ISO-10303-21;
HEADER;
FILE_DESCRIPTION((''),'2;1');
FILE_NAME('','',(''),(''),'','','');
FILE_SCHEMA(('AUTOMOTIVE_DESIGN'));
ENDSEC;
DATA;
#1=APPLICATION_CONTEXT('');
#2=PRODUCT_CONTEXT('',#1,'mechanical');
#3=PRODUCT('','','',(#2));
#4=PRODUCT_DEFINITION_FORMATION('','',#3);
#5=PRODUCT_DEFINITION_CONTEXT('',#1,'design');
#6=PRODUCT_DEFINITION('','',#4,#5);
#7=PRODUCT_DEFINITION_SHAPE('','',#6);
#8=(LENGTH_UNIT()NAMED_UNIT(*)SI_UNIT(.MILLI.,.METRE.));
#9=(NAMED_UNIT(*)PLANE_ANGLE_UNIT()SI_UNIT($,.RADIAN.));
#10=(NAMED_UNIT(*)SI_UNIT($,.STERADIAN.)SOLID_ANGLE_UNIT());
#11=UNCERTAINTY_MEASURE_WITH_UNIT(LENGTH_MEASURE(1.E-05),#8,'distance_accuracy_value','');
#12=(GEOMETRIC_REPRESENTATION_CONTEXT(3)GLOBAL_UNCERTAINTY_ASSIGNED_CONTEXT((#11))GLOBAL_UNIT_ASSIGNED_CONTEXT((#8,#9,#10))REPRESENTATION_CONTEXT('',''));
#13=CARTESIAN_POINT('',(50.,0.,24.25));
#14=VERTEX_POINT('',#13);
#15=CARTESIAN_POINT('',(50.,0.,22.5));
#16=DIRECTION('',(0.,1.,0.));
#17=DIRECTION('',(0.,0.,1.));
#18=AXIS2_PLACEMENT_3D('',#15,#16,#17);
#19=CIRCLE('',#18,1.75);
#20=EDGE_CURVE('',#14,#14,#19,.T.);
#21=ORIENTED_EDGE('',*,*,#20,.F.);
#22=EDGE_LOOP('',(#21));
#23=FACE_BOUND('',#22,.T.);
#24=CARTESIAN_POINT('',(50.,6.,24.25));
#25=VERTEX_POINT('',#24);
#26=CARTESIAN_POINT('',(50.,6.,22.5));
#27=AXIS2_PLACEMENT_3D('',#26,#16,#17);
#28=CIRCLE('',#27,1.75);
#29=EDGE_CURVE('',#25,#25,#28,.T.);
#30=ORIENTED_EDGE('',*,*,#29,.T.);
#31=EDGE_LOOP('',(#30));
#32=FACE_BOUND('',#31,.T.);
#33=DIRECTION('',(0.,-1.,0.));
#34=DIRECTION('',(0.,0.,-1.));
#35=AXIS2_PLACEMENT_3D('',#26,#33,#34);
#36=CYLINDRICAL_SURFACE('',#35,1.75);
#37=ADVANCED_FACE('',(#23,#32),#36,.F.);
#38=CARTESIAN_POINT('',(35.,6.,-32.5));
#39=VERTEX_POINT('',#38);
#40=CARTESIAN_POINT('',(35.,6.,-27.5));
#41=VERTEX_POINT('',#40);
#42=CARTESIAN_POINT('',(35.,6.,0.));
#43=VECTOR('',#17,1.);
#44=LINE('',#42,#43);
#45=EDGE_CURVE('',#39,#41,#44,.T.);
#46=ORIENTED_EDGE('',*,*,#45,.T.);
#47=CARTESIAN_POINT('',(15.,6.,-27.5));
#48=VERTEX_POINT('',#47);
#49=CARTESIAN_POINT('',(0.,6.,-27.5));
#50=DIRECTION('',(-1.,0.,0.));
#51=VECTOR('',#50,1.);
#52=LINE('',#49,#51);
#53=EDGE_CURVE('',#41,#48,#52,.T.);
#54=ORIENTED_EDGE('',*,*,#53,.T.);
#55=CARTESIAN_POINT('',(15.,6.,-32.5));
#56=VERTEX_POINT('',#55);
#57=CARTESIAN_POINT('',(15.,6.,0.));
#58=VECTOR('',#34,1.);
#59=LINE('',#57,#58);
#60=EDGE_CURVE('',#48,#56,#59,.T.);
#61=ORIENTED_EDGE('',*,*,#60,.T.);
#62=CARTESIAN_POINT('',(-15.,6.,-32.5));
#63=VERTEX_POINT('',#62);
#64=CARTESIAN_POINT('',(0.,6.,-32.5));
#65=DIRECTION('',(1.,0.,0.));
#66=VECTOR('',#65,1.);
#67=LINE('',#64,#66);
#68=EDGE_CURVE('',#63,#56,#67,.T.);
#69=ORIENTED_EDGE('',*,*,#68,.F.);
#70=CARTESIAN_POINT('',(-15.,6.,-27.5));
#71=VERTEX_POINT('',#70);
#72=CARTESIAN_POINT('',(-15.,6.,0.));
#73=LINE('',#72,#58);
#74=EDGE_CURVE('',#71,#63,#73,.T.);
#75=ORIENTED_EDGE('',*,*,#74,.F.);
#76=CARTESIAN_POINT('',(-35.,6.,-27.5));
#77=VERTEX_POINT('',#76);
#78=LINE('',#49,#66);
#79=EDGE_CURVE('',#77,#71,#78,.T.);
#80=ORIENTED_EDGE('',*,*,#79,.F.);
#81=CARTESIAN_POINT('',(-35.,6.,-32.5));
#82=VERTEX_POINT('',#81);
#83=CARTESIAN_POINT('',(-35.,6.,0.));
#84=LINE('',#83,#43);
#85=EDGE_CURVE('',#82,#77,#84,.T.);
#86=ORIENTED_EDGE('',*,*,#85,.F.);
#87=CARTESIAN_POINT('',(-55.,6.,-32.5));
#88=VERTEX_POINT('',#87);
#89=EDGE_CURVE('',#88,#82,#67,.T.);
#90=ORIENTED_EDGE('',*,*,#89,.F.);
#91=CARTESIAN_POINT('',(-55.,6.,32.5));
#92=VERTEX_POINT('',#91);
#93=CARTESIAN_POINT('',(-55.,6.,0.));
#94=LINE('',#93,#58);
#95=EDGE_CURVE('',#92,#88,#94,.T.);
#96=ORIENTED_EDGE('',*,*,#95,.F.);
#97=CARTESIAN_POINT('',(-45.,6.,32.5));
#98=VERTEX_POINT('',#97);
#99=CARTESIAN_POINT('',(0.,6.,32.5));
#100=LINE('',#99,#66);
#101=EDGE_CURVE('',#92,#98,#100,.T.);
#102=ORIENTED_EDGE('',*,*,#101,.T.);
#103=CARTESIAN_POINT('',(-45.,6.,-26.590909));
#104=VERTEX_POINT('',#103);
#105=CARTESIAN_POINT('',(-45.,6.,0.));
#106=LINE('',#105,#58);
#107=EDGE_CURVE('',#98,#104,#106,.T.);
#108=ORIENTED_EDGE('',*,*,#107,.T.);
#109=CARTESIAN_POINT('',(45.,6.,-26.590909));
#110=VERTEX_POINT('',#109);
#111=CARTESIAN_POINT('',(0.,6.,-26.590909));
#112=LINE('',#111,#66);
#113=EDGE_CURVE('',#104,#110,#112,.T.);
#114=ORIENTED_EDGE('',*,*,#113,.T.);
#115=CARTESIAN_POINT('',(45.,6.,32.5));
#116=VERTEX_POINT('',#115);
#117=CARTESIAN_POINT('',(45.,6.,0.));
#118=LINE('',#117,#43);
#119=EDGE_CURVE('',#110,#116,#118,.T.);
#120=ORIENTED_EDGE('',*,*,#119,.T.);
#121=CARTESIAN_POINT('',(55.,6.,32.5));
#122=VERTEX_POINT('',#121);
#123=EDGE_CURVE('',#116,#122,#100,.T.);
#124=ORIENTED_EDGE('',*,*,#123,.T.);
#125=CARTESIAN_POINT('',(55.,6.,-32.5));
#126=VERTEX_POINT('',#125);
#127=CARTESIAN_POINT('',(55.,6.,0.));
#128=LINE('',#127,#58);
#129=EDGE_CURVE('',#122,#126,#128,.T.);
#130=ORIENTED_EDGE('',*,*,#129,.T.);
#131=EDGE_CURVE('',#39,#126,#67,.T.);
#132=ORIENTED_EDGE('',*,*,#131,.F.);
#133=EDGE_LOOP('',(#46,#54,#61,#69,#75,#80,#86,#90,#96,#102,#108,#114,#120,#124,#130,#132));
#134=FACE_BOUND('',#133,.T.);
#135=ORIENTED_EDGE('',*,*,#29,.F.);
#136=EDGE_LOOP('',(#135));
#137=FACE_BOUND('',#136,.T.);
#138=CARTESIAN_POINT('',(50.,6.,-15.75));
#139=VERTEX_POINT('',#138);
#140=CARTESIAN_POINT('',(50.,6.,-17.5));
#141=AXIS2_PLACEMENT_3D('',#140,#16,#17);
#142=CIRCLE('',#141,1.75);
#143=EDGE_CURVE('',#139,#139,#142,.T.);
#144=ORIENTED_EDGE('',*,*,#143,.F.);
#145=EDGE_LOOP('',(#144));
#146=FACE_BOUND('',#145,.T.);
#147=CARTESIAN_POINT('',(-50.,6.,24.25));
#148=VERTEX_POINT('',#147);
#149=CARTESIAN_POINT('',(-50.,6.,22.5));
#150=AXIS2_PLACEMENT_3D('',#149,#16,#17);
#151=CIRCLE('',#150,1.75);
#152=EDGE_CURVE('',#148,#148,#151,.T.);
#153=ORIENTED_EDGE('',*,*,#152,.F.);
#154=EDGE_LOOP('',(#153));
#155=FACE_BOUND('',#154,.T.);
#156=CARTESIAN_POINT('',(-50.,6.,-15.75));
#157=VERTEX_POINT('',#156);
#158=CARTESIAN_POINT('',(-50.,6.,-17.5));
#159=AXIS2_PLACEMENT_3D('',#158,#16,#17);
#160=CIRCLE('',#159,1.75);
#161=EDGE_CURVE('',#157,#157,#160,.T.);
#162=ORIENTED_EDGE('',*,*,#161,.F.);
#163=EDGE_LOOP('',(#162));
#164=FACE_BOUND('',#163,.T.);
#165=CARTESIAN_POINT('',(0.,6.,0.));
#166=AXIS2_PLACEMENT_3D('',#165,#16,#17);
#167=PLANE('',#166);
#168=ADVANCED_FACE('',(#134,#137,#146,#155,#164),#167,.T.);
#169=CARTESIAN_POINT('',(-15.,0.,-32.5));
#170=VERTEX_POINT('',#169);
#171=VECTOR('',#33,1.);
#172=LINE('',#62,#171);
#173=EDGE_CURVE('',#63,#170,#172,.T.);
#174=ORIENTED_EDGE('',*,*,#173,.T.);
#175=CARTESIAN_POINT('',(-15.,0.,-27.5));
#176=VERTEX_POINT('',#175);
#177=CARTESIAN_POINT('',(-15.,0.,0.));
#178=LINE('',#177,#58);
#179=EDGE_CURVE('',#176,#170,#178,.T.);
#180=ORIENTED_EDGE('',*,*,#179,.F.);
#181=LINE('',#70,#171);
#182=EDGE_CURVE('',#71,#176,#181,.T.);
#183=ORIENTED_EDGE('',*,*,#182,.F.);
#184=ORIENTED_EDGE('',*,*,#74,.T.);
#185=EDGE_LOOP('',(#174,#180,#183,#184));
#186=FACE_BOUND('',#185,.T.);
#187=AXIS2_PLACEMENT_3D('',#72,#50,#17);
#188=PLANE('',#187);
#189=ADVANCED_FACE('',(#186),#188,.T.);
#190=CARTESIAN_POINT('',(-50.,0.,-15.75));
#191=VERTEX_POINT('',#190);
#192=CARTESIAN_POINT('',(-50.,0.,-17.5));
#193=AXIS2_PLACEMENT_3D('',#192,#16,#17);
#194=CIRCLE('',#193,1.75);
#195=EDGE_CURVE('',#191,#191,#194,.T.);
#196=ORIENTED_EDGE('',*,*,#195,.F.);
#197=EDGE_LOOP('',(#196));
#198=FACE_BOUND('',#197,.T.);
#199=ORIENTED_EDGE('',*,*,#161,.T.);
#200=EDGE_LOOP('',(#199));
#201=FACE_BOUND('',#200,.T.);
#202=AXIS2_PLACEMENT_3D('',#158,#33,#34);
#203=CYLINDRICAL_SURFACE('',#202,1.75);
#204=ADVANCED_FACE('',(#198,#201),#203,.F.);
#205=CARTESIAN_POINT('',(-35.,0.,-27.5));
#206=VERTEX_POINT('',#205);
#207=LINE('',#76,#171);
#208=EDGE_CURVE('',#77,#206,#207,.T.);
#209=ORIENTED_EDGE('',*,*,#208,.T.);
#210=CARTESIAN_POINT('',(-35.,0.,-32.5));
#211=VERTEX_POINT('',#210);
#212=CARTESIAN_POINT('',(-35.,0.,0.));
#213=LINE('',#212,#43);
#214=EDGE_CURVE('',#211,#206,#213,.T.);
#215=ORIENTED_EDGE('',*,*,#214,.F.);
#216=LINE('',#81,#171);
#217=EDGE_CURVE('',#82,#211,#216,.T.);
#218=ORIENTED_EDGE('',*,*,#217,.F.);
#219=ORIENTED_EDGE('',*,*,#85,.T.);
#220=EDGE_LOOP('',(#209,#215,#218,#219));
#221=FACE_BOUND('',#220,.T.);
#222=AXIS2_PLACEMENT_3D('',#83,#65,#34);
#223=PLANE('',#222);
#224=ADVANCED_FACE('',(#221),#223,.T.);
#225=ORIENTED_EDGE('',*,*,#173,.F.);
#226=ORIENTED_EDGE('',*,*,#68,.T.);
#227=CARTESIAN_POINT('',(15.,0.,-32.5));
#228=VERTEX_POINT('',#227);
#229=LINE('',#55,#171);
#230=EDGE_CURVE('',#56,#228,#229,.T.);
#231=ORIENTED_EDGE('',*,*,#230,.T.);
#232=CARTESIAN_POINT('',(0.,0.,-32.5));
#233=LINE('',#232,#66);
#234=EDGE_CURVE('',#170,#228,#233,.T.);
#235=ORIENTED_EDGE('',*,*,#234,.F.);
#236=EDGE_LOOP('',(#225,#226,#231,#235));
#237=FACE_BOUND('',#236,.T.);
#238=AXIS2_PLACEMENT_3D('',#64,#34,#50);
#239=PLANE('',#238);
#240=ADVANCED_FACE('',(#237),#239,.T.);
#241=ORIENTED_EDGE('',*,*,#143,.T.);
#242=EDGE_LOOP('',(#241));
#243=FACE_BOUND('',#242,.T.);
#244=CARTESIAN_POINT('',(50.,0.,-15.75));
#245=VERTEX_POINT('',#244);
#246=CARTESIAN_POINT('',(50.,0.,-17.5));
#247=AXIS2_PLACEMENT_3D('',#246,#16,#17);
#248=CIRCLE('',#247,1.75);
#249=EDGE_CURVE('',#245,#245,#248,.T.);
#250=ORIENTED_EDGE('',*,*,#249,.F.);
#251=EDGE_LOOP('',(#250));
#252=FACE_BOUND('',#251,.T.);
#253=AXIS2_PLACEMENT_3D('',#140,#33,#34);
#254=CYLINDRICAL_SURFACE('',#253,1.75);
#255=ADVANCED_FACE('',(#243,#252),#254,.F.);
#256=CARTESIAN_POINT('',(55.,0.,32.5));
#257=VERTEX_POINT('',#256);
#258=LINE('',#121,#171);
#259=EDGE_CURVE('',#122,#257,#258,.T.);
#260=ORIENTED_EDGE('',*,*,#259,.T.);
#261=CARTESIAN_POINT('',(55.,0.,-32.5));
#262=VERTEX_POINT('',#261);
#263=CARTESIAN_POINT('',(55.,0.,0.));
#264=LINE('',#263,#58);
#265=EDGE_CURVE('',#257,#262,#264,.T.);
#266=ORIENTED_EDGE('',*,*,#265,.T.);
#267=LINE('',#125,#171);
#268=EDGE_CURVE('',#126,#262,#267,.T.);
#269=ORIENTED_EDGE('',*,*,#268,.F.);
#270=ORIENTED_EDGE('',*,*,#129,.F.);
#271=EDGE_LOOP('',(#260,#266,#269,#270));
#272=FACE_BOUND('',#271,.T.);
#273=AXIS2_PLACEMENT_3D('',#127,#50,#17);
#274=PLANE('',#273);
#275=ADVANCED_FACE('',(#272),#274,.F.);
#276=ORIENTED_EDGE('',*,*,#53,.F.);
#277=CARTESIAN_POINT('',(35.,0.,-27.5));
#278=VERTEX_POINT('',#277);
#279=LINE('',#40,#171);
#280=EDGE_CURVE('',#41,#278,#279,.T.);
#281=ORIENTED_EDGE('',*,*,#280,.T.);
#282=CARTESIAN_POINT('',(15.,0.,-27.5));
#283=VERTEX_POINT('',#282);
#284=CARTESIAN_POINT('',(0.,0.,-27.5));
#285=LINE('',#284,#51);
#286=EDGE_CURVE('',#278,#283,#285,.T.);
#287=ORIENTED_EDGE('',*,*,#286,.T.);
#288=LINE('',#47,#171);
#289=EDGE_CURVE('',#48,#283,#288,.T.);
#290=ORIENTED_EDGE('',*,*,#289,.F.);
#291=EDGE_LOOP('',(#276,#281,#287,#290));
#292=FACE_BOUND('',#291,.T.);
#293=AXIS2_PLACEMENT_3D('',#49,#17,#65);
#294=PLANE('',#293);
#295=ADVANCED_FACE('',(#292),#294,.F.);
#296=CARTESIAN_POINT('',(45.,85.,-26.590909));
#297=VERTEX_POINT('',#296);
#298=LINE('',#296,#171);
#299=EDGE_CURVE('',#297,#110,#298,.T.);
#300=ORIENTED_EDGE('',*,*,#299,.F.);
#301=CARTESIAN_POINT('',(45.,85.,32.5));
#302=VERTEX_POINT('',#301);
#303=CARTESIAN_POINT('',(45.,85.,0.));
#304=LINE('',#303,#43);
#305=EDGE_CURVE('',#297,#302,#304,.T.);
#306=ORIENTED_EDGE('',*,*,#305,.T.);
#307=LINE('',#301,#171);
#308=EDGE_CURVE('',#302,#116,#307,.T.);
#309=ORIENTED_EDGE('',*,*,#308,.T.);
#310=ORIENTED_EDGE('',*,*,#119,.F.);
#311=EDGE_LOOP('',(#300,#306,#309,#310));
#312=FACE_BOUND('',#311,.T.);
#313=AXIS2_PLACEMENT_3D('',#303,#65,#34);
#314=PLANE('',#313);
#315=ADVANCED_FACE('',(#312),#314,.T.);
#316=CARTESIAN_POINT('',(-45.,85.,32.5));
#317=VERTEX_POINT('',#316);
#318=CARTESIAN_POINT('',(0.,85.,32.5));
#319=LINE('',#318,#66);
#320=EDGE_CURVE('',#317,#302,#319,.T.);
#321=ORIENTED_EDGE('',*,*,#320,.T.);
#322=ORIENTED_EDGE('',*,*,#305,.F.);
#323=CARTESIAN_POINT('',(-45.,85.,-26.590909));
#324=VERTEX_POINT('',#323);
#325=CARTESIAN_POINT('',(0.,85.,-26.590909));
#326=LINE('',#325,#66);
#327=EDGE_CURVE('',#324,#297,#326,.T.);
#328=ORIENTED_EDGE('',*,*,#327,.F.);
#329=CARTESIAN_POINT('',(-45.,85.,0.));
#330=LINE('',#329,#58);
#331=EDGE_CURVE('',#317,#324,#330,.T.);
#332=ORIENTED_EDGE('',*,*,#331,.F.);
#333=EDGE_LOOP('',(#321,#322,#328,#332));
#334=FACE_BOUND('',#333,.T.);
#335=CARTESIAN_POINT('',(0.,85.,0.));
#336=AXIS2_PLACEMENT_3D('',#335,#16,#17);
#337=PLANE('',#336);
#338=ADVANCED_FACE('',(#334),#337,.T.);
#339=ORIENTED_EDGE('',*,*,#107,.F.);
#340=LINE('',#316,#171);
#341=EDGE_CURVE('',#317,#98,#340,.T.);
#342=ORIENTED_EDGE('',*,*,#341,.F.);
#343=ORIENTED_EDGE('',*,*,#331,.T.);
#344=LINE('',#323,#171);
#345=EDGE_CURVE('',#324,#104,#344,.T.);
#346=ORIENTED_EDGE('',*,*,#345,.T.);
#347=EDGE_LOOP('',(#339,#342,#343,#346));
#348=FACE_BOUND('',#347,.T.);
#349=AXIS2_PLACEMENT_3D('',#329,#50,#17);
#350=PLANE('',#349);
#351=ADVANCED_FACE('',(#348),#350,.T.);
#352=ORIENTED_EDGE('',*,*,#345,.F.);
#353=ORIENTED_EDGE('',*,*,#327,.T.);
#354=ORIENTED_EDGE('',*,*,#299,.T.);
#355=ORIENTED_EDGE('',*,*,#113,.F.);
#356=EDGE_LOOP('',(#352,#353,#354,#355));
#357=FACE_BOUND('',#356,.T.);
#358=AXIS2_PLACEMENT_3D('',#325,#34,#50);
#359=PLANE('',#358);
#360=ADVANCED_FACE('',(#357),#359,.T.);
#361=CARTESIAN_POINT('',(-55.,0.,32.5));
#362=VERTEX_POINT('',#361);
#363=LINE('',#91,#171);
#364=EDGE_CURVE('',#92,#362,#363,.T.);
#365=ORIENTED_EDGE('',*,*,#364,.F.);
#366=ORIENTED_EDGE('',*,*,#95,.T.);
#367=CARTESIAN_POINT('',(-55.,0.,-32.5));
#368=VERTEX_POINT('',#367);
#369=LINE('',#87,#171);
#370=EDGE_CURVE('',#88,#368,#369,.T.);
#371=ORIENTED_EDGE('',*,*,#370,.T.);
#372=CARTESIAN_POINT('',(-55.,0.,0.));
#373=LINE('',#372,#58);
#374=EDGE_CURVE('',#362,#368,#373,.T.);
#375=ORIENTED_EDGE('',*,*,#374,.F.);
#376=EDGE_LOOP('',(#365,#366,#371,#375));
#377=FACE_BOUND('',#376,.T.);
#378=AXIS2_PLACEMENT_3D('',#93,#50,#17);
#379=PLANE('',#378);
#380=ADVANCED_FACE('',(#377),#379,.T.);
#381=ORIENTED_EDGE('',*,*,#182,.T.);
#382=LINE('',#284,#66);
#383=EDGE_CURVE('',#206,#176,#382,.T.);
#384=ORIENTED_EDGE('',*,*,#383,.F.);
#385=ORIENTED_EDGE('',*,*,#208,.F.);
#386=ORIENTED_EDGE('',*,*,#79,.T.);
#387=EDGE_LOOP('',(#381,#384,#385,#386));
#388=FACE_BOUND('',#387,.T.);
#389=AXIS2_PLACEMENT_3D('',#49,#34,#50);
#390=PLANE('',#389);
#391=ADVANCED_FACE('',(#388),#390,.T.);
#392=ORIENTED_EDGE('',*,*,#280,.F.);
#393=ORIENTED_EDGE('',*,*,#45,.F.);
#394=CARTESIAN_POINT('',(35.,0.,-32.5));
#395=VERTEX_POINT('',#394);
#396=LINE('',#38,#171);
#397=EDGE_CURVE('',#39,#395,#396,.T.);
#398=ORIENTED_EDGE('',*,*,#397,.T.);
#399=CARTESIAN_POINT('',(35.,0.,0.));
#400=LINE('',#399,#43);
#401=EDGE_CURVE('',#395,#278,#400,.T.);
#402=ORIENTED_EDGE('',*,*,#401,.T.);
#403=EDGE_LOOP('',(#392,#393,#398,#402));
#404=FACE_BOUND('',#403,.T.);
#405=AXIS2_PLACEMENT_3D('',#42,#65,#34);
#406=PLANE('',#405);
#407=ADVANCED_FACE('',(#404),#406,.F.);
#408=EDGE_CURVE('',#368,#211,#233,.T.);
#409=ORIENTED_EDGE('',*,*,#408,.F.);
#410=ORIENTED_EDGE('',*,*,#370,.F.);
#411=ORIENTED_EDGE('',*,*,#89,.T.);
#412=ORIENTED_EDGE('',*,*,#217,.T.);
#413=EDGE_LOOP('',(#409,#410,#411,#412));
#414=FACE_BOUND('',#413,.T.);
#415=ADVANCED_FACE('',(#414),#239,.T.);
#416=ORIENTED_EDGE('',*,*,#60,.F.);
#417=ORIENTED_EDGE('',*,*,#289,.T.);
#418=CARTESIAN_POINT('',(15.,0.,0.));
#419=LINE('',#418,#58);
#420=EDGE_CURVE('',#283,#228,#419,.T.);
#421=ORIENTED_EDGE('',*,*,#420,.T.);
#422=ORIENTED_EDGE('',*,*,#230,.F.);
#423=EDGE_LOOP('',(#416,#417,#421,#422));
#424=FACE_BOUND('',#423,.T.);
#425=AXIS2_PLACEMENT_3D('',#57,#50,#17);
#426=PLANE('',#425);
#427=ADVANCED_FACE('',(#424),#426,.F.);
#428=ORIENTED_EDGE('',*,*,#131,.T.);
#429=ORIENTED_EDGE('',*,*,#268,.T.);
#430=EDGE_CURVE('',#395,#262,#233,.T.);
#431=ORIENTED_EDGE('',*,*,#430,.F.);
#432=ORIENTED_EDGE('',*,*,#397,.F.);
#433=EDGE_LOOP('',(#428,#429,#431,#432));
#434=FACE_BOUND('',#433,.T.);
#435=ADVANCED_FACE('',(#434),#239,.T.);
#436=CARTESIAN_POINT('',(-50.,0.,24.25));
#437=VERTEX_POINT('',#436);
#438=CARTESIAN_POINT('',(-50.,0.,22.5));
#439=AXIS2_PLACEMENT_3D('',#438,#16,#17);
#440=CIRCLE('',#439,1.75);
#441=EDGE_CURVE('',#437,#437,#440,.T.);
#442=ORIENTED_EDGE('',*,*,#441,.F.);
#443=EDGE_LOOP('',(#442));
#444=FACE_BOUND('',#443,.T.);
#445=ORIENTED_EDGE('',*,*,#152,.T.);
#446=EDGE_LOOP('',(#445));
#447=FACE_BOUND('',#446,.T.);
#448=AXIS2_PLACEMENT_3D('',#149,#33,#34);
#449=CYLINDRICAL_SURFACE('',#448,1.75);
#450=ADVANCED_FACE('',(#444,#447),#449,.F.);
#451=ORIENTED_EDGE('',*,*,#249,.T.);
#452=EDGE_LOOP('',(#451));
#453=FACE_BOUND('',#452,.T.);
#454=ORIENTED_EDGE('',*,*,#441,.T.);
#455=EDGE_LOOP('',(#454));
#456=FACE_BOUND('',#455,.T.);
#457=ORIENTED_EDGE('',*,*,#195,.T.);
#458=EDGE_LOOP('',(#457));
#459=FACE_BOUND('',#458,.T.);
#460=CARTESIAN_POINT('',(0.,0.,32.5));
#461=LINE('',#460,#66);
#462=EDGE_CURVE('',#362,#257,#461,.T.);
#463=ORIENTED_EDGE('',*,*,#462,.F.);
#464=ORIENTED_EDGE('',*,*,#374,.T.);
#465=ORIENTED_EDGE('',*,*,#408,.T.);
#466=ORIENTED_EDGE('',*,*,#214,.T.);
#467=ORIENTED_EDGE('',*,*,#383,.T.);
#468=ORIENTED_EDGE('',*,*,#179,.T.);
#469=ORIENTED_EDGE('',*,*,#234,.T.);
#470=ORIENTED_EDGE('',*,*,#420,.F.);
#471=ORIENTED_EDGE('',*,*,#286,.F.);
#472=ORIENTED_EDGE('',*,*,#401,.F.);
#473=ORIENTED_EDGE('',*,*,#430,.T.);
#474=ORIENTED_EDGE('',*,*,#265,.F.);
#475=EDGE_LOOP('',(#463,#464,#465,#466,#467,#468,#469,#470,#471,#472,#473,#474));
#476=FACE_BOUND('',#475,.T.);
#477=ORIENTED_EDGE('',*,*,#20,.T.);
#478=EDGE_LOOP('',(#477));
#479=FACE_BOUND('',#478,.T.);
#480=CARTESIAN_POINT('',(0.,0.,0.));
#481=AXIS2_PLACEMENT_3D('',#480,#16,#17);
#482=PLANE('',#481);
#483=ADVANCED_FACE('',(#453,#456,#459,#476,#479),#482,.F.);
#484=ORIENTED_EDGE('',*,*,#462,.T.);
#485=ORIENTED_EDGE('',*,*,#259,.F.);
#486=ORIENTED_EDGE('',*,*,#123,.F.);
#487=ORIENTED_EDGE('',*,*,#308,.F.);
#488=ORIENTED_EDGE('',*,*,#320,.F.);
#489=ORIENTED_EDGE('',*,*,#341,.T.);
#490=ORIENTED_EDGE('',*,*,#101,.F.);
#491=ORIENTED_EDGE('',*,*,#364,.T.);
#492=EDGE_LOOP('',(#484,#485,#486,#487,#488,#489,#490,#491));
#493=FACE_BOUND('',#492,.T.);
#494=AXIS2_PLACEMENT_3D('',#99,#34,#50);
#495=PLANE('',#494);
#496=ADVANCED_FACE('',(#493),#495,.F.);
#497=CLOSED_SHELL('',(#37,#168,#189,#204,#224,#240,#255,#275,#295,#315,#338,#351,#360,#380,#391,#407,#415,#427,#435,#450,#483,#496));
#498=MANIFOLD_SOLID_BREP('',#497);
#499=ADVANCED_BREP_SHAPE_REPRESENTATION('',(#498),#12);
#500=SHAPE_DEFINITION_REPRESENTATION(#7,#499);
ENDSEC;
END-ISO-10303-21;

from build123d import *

# Parameters (mm, degrees)
SKETCH1_R           = 1.75
BOSS_EXTRUDE1_DEPTH = 6
SKETCH1_3_W         = 90
SKETCH1_3_H         = 59.090909091
BOSS_EXTRUDE2_DEPTH = 85


with BuildPart() as part:
    # Sketch1 → Boss-Extrude1 (new body)
    with BuildSketch(Plane(origin=(0, 0, 0), x_dir=(1, 0, 0), z_dir=(0, 1, 0))):
        Polygon((-35, 27.5), (-35, 32.5), (-55, 32.5), (-55, -32.5), (-45, -32.5), (-45, 26.590909091), (45, 26.590909091), (45, -32.5), (55, -32.5), (55, 32.5), (35, 32.5), (35, 27.5), (15, 27.5), (15, 32.5), (-15, 32.5), (-15, 27.5), align=None)
        with Locations((-50, -22.5)):
            Circle(SKETCH1_R, mode=Mode.SUBTRACT)
        with Locations((50, -22.5)):
            Circle(SKETCH1_R, mode=Mode.SUBTRACT)
        with Locations((-50, 17.5)):
            Circle(SKETCH1_R, mode=Mode.SUBTRACT)
        with Locations((50, 17.5)):
            Circle(SKETCH1_R, mode=Mode.SUBTRACT)
    extrude(amount=BOSS_EXTRUDE1_DEPTH)

    # Sketch1<3> → Boss-Extrude2 (add)
    with BuildSketch(Plane(origin=(0, 0, 0), x_dir=(1, 0, 0), z_dir=(0, 1, 0))):
        with Locations((0, -2.954545454)):
            Rectangle(SKETCH1_3_W, SKETCH1_3_H)
    extrude(amount=BOSS_EXTRUDE2_DEPTH)


solid = part.part
